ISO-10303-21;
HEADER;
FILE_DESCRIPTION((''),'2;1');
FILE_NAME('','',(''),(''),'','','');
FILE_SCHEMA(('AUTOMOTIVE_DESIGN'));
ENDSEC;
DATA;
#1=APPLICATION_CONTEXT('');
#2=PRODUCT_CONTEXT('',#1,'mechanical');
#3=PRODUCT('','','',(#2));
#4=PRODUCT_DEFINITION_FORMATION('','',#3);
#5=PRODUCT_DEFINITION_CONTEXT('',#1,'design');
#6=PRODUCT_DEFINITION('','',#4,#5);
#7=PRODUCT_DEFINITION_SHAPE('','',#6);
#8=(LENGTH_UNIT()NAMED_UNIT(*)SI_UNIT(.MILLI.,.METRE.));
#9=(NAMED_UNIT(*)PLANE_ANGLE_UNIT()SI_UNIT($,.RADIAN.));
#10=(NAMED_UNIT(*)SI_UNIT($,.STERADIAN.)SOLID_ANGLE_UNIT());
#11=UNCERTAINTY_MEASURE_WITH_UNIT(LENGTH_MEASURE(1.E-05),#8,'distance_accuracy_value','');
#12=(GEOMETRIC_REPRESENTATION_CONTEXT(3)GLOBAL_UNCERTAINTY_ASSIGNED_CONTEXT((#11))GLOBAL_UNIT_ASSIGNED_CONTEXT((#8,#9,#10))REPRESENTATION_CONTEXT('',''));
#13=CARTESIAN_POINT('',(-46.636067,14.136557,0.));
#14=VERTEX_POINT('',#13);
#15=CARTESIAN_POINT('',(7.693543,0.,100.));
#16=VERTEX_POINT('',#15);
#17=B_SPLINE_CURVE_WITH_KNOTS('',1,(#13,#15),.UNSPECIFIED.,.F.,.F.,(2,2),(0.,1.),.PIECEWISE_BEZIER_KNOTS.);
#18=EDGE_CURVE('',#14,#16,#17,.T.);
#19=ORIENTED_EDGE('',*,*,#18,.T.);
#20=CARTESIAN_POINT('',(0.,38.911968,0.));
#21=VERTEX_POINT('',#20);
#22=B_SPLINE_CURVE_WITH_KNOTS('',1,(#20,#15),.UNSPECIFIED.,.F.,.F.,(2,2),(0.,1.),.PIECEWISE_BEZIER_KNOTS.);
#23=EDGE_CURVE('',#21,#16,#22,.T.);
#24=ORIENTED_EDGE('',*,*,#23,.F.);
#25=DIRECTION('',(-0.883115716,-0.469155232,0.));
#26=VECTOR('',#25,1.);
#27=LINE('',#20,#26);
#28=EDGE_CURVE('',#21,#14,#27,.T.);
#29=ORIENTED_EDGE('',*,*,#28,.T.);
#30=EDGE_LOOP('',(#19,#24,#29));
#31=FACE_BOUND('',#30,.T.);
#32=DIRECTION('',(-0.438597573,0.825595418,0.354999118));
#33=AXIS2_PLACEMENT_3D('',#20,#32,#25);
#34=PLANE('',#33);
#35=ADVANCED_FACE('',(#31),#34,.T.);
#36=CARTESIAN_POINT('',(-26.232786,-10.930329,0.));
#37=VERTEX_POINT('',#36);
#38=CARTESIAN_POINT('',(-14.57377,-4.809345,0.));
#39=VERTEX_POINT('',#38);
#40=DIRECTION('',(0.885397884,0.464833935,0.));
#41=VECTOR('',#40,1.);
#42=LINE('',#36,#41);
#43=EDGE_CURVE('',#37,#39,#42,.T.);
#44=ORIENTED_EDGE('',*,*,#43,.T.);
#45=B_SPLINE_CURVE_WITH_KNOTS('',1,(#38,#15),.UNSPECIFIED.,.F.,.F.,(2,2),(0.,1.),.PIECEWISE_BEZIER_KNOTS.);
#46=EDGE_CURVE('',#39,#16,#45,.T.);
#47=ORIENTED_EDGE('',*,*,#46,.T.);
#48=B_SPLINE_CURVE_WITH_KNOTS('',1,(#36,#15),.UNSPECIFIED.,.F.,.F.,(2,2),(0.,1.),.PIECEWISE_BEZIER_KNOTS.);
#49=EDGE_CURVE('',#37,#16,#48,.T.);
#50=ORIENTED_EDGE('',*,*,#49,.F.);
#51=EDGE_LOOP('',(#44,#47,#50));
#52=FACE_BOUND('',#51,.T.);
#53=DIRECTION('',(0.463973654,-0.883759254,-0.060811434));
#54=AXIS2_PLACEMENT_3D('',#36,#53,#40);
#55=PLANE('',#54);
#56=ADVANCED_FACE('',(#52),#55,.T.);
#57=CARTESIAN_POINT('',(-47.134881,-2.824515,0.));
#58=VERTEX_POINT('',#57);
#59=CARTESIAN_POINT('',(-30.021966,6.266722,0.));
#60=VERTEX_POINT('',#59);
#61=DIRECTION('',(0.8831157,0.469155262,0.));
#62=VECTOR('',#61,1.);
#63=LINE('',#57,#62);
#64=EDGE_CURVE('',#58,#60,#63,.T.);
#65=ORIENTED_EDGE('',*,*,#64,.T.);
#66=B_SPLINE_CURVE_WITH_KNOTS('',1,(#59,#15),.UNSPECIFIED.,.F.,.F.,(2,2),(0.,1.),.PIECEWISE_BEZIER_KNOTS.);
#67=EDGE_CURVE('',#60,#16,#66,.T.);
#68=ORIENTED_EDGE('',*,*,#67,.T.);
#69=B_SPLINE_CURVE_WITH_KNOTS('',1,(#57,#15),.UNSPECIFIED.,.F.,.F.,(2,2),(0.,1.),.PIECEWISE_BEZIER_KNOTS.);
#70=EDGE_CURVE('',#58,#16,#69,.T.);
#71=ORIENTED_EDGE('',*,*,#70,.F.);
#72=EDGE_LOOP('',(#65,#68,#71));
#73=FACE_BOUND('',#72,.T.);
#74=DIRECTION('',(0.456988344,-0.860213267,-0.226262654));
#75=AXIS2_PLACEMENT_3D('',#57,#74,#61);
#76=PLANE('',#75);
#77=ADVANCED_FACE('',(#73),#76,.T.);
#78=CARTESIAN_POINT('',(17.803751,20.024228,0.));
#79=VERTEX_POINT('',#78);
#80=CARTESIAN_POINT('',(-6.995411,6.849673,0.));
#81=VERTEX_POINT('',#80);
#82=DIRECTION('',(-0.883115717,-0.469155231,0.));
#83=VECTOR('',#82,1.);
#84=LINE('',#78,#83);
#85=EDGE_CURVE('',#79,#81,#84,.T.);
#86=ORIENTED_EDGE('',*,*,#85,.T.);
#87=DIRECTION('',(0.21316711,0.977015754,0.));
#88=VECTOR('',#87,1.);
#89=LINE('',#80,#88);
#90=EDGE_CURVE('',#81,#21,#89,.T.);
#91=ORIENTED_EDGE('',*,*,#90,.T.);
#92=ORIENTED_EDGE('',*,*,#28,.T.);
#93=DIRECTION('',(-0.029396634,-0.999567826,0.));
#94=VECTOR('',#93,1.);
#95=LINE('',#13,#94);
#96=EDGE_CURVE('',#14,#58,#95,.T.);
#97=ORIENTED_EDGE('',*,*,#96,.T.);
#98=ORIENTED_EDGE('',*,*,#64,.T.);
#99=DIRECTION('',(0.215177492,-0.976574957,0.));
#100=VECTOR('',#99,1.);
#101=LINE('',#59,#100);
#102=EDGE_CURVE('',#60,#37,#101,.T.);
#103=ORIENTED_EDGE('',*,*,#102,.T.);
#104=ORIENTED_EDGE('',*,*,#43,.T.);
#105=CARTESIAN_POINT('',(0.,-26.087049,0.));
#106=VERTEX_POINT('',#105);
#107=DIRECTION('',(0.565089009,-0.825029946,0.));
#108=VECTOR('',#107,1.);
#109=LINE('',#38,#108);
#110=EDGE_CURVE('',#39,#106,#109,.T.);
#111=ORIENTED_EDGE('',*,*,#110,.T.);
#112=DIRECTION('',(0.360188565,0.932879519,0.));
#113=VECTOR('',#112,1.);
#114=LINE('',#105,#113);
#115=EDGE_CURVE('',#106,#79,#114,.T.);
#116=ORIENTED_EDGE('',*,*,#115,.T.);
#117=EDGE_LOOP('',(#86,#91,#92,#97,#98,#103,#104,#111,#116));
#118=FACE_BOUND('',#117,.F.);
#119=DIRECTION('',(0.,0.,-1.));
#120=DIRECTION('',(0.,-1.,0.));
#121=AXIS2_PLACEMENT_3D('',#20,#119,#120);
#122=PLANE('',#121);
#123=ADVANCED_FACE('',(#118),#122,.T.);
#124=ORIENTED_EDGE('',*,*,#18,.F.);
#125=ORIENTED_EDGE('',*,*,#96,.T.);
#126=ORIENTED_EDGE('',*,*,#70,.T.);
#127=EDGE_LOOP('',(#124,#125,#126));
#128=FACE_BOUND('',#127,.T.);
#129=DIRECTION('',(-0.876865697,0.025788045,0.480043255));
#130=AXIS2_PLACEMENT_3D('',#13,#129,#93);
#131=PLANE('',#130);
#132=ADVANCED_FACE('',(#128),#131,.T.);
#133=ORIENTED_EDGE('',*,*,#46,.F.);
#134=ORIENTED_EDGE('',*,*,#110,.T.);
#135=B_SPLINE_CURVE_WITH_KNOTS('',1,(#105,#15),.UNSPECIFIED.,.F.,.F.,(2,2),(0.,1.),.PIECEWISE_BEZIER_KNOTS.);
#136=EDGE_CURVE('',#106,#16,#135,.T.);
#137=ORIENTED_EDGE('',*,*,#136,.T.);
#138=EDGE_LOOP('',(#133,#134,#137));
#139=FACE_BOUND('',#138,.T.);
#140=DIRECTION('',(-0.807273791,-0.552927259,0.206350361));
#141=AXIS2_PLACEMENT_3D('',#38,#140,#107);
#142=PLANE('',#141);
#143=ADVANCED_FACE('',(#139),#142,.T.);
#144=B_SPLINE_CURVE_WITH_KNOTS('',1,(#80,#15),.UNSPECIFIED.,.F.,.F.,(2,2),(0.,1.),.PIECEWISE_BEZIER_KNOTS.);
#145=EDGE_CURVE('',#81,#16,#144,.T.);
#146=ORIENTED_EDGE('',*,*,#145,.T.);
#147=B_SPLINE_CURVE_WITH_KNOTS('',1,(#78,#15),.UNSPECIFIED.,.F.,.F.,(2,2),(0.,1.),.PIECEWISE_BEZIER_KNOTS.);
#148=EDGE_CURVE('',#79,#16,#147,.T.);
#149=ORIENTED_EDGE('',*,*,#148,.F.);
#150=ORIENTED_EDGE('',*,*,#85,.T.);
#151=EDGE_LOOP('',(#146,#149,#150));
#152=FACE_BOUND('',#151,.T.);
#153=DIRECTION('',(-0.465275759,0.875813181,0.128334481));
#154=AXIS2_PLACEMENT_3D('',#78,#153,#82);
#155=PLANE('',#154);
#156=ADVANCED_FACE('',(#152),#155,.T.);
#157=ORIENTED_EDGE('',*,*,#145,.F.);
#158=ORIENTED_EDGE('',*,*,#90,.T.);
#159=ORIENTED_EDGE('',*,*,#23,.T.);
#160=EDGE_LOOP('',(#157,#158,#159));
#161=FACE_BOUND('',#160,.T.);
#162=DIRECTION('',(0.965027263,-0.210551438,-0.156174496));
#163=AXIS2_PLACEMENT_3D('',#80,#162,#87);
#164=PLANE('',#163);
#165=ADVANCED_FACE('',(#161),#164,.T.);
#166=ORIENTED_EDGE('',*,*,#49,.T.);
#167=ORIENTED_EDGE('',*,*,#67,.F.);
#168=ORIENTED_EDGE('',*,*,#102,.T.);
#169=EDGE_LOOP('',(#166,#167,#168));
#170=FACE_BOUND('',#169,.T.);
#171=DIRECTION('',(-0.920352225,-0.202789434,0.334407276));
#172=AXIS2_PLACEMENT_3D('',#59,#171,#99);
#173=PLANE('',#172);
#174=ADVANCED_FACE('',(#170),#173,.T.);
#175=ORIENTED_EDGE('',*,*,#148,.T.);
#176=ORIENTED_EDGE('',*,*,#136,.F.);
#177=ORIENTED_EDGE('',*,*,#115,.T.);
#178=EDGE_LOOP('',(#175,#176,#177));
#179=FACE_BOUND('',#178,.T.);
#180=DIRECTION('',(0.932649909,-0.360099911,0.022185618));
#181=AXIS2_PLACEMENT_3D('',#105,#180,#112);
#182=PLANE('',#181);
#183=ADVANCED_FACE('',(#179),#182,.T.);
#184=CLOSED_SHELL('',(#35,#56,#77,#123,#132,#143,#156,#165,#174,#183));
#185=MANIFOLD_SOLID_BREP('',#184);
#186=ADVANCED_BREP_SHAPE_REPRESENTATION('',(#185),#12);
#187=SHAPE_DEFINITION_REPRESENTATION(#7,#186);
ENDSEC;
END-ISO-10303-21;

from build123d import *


with BuildPart() as f3:
    # F0 (on Top) → F3 section 0
    with BuildSketch(Plane.XY, mode=Mode.PRIVATE) as f3_s0:
        Polygon((0, 38.911968), (-46.636067, 14.136557), (-47.134881, -2.824515), (-30.021966, 6.266722), (-26.232786, -10.930329), (-14.57377, -4.809345), (0, -26.087049), (17.803751, 20.024228), (-6.995411, 6.849673), align=None)
    loft([f3_s0.sketch, Vertex(7.693543, 0, 100)])


solid = f3.part
